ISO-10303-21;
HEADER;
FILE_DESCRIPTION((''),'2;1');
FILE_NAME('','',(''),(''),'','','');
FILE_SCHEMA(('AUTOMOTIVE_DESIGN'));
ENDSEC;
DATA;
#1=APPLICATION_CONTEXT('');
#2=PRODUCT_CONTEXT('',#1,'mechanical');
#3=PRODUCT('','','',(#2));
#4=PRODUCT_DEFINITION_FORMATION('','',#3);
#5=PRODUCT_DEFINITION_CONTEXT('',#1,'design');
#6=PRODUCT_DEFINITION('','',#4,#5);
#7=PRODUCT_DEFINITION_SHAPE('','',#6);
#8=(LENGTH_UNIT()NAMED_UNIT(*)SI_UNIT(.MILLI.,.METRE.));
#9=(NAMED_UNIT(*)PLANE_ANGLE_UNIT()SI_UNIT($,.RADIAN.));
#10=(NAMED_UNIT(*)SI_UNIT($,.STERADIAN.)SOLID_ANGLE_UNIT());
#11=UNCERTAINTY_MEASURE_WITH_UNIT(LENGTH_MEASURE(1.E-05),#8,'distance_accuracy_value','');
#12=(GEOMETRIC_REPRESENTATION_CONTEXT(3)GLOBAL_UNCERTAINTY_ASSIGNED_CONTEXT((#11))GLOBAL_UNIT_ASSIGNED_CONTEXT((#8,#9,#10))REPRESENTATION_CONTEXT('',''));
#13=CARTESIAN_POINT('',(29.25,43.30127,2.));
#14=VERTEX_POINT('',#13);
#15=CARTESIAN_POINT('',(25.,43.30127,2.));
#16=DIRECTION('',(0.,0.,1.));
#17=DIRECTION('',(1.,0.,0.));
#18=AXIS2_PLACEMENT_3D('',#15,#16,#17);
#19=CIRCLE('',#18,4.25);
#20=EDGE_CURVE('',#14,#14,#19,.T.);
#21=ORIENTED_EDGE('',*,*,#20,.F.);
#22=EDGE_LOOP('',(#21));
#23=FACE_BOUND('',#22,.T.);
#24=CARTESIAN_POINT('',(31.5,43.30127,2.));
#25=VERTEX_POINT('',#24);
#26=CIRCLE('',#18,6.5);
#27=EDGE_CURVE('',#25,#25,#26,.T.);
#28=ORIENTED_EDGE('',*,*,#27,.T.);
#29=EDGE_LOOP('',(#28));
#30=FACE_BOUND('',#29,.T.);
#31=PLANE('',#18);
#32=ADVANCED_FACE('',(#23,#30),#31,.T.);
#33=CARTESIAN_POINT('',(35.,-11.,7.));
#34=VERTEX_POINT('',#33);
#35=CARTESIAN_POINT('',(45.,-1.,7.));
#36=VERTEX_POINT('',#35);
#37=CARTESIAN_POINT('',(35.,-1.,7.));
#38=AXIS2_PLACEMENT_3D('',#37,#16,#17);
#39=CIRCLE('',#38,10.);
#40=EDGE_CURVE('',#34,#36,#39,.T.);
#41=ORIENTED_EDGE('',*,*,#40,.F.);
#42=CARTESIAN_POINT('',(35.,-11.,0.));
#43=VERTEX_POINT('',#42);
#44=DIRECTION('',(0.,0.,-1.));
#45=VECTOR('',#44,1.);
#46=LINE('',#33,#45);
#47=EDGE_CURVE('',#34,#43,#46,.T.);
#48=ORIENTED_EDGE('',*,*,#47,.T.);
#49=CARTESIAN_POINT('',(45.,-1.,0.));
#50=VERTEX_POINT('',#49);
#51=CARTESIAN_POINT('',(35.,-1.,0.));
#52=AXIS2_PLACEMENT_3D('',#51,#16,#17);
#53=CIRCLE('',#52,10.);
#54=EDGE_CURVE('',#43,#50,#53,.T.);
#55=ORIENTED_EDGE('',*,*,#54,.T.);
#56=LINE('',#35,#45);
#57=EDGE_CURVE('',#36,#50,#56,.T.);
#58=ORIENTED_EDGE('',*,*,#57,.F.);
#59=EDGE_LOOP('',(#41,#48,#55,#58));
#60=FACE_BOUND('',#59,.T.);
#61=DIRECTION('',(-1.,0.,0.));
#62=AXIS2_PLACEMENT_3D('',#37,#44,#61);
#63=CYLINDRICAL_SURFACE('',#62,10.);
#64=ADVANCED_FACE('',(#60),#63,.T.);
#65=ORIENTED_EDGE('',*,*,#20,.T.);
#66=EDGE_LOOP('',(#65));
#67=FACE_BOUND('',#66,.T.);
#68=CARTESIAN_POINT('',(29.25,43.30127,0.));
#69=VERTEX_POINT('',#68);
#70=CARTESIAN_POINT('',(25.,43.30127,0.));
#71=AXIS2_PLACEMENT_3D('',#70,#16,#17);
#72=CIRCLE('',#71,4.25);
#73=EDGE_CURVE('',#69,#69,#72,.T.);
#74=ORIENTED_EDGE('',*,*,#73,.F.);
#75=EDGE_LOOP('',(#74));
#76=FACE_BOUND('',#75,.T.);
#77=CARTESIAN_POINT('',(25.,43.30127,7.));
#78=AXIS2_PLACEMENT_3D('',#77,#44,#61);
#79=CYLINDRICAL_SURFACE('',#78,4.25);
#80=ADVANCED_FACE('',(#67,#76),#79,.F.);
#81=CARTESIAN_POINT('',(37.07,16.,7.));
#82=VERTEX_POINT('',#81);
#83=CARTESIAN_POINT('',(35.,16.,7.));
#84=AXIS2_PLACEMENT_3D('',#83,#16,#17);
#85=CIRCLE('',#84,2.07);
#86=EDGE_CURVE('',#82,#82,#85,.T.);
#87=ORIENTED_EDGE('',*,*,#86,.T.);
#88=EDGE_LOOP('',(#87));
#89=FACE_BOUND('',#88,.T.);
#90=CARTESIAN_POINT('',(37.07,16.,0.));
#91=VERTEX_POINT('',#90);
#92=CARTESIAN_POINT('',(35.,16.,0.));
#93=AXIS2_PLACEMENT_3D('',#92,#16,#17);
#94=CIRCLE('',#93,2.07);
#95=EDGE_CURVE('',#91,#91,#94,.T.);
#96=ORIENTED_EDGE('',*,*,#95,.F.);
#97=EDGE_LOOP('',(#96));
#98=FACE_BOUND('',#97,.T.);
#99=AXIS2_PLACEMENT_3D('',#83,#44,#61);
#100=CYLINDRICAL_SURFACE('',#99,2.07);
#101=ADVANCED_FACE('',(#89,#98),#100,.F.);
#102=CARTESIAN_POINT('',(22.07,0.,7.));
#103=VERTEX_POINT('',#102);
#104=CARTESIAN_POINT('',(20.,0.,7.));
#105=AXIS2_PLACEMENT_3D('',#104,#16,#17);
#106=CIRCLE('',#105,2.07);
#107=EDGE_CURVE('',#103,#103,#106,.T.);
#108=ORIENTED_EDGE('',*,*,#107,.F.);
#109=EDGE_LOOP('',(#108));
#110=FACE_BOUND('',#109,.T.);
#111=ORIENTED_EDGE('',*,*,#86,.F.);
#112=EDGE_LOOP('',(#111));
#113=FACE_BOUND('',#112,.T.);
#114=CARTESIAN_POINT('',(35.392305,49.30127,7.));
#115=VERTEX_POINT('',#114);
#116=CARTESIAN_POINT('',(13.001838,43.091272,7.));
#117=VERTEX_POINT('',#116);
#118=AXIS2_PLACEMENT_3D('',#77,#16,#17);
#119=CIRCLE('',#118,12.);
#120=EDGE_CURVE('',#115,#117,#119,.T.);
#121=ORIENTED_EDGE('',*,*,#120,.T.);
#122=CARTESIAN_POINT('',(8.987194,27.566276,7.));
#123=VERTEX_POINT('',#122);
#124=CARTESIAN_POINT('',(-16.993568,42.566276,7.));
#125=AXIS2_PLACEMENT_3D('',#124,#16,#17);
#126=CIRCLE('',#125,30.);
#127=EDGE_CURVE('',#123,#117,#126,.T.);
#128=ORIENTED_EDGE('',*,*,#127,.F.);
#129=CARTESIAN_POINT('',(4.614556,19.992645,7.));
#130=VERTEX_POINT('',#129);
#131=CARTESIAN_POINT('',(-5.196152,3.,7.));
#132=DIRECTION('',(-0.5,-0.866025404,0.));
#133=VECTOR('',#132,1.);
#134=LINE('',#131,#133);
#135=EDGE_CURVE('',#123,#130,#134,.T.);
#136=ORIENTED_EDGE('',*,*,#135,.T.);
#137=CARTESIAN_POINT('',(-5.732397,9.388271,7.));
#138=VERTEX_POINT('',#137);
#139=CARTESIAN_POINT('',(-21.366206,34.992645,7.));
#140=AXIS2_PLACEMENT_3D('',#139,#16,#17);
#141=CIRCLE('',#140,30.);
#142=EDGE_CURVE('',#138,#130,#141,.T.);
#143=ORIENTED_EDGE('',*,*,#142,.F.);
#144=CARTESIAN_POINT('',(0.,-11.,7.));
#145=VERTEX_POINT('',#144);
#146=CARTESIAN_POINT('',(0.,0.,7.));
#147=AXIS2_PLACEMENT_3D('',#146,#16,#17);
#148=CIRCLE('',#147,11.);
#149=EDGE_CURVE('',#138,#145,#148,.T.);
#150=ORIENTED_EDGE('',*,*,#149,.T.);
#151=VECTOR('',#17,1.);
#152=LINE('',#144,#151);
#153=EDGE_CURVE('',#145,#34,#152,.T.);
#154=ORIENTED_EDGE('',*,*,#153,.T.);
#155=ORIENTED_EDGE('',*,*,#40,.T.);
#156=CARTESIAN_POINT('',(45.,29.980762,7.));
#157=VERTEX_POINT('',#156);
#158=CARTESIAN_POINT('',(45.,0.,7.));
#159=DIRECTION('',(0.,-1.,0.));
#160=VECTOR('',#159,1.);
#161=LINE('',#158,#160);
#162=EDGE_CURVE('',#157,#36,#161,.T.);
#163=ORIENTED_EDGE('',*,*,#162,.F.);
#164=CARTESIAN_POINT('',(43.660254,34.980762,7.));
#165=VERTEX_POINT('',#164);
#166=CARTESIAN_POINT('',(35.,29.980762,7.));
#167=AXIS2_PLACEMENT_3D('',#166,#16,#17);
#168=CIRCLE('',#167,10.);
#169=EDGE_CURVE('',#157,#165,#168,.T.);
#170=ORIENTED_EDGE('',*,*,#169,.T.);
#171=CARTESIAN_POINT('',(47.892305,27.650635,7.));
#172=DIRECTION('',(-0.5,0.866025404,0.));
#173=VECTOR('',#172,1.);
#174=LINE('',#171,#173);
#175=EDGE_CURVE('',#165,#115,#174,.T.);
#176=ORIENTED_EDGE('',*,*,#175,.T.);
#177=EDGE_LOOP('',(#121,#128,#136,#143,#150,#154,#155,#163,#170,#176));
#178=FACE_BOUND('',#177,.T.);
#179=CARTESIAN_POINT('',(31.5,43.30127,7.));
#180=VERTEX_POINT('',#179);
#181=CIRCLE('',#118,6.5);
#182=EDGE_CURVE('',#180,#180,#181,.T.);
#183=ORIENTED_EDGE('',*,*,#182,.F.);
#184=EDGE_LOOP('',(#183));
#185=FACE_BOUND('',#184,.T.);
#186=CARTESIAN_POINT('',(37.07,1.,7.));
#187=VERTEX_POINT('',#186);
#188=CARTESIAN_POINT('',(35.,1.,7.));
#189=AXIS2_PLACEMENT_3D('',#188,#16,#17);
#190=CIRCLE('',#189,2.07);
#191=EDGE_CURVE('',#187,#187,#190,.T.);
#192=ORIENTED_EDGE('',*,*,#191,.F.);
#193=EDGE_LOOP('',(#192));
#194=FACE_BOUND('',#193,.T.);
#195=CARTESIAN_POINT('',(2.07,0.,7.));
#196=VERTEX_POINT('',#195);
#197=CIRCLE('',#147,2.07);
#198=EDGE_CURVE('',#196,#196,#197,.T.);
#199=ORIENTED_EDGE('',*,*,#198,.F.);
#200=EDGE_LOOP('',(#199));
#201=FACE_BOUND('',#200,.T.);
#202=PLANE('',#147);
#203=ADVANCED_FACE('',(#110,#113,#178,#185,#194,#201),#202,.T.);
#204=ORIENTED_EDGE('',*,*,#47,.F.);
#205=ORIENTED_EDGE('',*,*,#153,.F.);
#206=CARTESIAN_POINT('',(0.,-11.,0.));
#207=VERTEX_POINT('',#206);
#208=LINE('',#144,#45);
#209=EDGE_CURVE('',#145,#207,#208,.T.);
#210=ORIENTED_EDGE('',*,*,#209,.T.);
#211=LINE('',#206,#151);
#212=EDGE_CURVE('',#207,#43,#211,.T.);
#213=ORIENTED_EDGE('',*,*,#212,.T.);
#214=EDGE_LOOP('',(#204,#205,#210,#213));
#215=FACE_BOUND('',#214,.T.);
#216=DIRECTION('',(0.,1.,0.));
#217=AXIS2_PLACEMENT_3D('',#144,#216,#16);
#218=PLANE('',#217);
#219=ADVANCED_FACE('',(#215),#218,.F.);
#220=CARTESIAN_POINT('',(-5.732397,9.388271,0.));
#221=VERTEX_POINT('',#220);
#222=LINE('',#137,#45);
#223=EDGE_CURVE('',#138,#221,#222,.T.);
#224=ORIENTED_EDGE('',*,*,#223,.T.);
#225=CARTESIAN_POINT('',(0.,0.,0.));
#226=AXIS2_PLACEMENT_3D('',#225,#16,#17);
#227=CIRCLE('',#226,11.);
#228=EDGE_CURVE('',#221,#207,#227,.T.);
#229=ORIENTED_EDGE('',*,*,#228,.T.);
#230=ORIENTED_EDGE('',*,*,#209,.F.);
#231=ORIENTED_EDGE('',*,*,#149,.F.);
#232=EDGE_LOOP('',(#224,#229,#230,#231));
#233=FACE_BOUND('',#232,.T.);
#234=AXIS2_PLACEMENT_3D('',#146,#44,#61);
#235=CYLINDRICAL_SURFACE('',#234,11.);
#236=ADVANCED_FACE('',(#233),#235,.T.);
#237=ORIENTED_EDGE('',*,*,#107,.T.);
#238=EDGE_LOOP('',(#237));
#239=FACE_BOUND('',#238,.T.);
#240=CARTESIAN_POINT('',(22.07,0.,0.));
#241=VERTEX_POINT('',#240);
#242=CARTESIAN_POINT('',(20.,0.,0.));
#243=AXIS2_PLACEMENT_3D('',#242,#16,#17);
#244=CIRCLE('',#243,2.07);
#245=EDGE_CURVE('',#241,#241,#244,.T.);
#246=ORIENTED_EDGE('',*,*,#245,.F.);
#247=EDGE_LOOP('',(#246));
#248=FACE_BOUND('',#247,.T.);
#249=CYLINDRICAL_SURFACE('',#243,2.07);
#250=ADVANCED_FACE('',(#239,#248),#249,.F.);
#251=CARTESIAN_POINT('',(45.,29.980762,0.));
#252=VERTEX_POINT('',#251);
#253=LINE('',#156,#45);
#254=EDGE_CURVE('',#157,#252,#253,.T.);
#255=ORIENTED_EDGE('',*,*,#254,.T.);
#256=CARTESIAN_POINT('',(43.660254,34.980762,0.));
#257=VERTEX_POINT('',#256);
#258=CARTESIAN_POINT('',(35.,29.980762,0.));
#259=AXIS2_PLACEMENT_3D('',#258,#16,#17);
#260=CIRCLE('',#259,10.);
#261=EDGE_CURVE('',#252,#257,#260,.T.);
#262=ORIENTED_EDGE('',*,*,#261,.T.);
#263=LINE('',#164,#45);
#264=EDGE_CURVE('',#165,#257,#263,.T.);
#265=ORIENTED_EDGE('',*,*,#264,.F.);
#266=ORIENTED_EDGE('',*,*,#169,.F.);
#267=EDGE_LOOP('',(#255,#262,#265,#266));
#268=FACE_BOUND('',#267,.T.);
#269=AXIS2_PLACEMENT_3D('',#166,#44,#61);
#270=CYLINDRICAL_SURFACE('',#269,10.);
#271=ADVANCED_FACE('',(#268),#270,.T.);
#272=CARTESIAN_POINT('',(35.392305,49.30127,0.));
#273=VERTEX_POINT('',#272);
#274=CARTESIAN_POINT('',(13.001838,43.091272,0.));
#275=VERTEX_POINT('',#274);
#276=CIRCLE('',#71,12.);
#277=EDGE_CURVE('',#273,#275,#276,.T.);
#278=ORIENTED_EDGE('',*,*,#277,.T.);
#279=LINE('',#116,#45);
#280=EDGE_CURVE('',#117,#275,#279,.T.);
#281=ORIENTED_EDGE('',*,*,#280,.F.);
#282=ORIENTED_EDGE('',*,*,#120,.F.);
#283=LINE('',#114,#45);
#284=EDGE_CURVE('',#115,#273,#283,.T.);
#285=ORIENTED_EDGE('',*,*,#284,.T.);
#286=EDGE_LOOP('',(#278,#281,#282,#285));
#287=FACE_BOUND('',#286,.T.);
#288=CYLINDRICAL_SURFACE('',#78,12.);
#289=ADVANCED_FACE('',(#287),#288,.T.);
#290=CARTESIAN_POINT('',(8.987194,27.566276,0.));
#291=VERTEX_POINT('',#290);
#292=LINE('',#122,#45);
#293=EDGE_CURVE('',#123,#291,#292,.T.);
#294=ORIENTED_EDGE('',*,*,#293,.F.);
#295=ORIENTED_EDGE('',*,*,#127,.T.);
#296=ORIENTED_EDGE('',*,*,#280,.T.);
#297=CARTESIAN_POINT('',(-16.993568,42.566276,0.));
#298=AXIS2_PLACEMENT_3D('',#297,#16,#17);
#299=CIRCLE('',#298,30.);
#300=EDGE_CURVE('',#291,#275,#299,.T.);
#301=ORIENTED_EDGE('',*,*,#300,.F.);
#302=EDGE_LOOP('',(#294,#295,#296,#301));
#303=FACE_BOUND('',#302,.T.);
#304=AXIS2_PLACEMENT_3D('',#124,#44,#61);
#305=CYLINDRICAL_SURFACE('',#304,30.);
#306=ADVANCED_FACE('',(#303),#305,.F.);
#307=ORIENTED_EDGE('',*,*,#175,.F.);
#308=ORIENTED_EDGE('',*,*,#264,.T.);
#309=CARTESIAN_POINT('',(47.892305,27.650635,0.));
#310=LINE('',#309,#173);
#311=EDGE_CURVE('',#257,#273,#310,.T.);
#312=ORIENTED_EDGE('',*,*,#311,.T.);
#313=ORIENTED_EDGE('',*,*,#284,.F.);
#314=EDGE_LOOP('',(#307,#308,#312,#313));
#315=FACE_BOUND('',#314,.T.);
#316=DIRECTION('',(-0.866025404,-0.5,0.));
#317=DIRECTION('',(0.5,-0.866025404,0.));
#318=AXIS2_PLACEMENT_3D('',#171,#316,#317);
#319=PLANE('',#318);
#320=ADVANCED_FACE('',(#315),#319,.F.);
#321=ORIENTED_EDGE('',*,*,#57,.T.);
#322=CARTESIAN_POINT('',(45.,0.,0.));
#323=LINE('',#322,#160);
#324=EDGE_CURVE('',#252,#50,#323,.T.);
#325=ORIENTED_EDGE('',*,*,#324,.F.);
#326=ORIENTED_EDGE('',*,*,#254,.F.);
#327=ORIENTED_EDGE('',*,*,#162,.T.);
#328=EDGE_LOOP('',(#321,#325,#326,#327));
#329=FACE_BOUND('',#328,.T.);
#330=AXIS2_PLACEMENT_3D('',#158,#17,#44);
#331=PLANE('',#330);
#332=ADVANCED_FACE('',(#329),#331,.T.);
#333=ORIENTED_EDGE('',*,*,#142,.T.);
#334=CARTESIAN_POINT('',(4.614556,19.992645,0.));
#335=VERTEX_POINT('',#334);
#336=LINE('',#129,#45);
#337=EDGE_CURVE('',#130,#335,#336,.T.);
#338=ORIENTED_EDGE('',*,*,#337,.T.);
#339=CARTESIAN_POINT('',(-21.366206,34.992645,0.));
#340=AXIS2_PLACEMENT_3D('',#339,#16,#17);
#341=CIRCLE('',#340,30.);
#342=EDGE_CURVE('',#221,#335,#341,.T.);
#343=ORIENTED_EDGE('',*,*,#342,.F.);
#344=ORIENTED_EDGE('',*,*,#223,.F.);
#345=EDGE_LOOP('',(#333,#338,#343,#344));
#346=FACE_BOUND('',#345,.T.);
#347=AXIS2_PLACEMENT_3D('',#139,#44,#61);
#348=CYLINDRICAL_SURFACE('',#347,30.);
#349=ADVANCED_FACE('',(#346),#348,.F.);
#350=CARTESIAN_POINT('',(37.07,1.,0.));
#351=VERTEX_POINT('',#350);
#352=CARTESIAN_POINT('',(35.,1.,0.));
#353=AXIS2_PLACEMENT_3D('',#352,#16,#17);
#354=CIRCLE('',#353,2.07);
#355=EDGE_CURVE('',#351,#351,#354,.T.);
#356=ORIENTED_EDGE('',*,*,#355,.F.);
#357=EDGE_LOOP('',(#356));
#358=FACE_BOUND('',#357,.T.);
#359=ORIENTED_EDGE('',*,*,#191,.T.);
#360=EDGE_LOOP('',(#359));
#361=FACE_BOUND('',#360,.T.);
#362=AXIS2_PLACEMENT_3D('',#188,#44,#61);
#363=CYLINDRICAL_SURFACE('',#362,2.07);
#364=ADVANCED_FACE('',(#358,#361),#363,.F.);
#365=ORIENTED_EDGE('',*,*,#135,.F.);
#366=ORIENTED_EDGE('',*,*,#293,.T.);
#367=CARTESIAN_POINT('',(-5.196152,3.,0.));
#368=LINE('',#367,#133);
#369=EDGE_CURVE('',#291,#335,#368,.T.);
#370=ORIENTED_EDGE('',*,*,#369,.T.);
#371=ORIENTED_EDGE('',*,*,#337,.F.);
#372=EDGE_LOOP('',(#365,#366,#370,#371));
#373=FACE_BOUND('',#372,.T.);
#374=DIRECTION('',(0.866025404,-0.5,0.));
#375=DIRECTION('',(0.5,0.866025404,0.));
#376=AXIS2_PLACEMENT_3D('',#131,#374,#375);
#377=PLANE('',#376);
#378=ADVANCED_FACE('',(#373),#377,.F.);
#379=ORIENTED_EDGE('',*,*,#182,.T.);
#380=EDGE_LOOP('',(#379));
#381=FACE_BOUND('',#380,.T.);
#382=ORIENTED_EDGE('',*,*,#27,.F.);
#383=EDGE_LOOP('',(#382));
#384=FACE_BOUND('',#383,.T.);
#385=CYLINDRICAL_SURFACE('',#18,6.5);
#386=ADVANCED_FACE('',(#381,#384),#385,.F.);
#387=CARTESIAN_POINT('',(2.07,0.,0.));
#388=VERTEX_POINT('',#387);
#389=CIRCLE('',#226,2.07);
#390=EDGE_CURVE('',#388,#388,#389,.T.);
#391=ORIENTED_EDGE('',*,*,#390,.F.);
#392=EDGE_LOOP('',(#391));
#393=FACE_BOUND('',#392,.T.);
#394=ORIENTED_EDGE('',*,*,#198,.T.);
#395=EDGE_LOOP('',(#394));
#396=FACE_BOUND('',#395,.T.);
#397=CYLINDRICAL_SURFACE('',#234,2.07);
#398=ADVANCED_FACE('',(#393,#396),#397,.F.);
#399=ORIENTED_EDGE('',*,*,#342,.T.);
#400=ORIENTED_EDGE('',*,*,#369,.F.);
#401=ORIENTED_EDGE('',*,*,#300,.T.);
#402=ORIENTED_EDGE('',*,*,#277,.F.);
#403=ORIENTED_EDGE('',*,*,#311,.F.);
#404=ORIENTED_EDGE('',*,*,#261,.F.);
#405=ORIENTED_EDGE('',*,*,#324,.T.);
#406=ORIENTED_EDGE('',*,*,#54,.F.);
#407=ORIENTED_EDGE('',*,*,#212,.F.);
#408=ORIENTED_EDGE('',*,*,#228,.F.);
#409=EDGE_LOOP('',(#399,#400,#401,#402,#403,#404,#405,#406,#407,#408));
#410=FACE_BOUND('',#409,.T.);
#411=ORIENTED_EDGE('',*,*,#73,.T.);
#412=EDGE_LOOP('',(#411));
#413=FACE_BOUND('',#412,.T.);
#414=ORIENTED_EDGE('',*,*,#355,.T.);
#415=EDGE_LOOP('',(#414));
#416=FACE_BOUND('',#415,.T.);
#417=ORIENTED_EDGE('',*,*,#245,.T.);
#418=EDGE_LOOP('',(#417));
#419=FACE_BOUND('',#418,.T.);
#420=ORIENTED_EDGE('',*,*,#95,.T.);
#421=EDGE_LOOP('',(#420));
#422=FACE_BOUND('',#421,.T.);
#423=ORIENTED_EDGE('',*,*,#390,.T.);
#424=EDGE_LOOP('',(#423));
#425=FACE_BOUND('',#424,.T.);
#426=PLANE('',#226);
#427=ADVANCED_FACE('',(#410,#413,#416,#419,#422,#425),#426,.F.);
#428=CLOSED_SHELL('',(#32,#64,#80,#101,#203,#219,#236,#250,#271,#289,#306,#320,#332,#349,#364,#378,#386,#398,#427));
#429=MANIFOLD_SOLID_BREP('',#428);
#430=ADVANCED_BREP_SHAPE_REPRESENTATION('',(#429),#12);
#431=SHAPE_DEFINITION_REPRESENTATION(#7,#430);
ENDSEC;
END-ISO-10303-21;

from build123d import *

# Parameters (mm, degrees)
SKETCH_1_R          = 2.07
SKETCH_1_R_2        = 4.25
EXTRUDE_1_DEPTH     = 7
SKETCH_2_R          = 6.5
CUT_EXTRUDE_1_DEPTH = 5
SKETCH_3_R          = 2.07
CUT_EXTRUDE_2_DEPTH = 72.639587412


with BuildPart() as part:
    # 草图1 → 凸台-拉伸1 (new body)
    with BuildSketch(Plane.XY):
        with BuildLine():
            ThreePointArc((13.001837611, 43.091271905), (12.051039078, 35.055565267), (8.987193751, 27.566276194))
            Line((8.987193751, 27.566276194), (4.614556012, 19.992645468))
            ThreePointArc((4.614556012, 19.992645468), (0.106016193, 14.041662919), (-5.732396759, 9.388270735))
            ThreePointArc((-5.732396759, 9.388270735), (-10.589404565, -2.977332859), (0, -11))
            Line((0, -11), (35, -11))
            ThreePointArc((35, -11), (42.071067812, -8.071067812), (45, -1))
            Line((45, -1), (45, 29.980762114))
            ThreePointArc((45, 29.980762114), (44.659258263, 32.568952565), (43.660254038, 34.980762114))
            Line((43.660254038, 34.980762114), (35.392304845, 49.301270189))
            ThreePointArc((35.392304845, 49.301270189), (31, 53.693575035), (25, 55.301270189))
            ThreePointArc((25, 55.301270189), (16.440795031, 51.711978263), (13.001837611, 43.091271905))
        make_face()
        Circle(SKETCH_1_R, mode=Mode.SUBTRACT)
        with Locations((35, 1)):
            Circle(SKETCH_1_R, mode=Mode.SUBTRACT)
        with Locations((35, 16)):
            Circle(SKETCH_1_R, mode=Mode.SUBTRACT)
        with Locations((25, 43.301270189)):
            Circle(SKETCH_1_R_2, mode=Mode.SUBTRACT)
    extrude(amount=EXTRUDE_1_DEPTH)

    # 草图2 → 切除-拉伸1 (cut)
    with BuildSketch(Plane.XY.offset(7)):
        with Locations((25, 43.301270189)):
            Circle(SKETCH_2_R)
    extrude(amount=-CUT_EXTRUDE_1_DEPTH, mode=Mode.SUBTRACT)

    # 草图3 → 切除-拉伸2 (cut, through all)
    with BuildSketch(Plane.XY.offset(7)):
        with Locations((20, 0)):
            Circle(SKETCH_3_R)
    extrude(amount=-CUT_EXTRUDE_2_DEPTH, mode=Mode.SUBTRACT)


solid = part.part
